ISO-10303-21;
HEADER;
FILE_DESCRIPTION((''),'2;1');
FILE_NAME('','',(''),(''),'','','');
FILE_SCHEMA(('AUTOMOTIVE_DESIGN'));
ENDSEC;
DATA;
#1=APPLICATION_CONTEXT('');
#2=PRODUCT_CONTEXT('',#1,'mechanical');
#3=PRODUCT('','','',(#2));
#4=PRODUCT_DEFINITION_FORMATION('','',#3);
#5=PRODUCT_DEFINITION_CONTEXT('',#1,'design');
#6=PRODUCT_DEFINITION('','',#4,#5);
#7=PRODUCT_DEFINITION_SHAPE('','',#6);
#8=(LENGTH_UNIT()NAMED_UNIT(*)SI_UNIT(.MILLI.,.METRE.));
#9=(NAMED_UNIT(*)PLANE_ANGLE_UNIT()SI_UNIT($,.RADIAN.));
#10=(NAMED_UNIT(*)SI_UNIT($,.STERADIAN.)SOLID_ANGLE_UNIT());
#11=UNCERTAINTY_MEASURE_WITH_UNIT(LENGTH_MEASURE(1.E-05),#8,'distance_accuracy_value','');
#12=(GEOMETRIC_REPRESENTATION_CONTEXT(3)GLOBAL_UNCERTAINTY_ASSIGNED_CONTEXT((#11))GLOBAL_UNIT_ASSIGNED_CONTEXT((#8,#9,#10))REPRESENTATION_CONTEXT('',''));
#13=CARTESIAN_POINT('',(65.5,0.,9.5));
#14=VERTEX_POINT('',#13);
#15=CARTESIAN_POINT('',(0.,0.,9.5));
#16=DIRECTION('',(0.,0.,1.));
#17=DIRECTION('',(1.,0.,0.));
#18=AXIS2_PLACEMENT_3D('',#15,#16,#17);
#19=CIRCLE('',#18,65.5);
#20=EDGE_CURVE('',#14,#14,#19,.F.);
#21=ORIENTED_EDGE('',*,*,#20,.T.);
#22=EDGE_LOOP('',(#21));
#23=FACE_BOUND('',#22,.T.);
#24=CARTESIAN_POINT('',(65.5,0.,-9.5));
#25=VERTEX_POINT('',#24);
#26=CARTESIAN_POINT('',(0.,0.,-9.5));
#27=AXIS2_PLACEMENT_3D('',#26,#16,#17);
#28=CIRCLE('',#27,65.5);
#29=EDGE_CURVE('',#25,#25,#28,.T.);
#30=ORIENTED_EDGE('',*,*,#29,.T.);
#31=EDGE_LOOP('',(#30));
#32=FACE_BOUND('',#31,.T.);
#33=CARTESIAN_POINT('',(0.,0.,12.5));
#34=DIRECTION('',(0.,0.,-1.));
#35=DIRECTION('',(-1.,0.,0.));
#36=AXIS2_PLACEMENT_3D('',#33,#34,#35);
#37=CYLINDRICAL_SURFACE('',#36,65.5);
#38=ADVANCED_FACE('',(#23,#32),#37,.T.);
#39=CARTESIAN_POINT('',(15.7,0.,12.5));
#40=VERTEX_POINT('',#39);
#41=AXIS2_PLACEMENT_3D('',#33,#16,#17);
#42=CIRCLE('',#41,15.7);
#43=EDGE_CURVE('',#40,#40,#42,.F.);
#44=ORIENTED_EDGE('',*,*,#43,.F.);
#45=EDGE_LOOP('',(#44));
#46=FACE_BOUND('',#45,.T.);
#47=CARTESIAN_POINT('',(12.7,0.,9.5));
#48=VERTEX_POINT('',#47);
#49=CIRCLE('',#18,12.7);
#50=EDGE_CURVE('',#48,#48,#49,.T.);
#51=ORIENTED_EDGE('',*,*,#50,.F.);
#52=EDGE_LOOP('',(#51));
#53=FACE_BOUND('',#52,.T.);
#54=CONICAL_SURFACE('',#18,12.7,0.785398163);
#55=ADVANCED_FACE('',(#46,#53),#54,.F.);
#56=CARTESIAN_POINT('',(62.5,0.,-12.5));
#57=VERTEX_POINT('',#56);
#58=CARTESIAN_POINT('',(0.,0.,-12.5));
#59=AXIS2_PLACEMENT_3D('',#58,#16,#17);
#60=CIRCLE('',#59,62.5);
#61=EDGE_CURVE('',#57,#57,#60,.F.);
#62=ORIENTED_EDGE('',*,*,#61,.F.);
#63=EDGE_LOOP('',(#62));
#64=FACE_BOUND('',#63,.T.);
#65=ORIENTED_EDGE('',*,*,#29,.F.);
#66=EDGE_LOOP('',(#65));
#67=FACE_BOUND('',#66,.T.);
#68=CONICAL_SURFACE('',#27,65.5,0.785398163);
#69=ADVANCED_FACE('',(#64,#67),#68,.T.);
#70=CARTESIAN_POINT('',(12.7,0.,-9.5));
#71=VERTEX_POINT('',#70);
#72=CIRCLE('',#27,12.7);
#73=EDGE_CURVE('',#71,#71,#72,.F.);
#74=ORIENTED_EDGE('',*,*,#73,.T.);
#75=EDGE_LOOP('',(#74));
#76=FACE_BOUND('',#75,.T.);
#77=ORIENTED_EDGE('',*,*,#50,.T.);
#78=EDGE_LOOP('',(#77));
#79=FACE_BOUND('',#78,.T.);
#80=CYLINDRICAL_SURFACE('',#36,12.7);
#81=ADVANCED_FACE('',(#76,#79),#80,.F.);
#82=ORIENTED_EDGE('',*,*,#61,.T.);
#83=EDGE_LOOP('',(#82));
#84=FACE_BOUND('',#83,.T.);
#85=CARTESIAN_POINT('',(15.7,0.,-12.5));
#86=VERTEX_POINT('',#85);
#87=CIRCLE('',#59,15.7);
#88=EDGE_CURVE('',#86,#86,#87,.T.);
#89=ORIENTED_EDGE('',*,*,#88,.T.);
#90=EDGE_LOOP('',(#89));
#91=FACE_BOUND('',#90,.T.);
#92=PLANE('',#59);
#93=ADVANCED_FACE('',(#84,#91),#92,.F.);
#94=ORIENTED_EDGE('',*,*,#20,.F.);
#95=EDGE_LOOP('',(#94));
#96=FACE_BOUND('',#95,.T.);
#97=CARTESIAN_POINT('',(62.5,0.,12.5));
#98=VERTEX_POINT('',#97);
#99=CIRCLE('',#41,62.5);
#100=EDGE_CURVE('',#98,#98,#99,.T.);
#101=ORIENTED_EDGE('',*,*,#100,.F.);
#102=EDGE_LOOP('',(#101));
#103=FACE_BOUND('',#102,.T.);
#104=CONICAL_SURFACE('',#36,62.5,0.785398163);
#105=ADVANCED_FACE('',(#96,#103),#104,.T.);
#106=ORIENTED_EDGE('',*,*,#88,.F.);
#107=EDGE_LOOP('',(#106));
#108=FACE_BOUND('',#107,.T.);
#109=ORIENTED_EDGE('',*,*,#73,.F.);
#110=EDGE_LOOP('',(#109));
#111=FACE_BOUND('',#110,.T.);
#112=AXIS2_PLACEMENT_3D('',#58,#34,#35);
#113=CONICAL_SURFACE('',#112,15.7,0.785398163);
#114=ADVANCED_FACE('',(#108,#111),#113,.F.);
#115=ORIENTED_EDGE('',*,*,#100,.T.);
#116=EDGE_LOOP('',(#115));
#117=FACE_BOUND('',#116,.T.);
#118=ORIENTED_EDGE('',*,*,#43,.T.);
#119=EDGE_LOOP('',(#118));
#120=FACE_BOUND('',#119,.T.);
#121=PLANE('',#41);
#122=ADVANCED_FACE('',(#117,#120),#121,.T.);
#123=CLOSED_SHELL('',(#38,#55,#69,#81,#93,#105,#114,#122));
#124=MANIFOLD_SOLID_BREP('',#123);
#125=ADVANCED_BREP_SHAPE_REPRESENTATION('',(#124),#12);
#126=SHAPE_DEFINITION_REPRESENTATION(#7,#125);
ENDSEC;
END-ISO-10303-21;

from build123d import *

# Parameters (mm, degrees)
SKETCH1_R           = 65.5
SKETCH1_R_2         = 12.7
BOSS_EXTRUDE1_DEPTH = 12.5
CHAMFER1_SIZE       = 3


with BuildPart() as part:
    # Sketch1 → Boss-Extrude1 (new body, symmetric)
    with BuildSketch(Plane.XY):
        Circle(SKETCH1_R)
        Circle(SKETCH1_R_2, mode=Mode.SUBTRACT)
    extrude(amount=BOSS_EXTRUDE1_DEPTH, both=True)

    # Chamfer1
    chamfer1_edges = [part.edges().sort_by_distance(p)[0] for p in [
        (-65.5, 0, -12.5),
        (-65.5, 0, 12.5),
        (-12.7, 0, -12.5),
        (-12.7, 0, 12.5),
    ]]
    chamfer(chamfer1_edges, length=CHAMFER1_SIZE)


solid = part.part
